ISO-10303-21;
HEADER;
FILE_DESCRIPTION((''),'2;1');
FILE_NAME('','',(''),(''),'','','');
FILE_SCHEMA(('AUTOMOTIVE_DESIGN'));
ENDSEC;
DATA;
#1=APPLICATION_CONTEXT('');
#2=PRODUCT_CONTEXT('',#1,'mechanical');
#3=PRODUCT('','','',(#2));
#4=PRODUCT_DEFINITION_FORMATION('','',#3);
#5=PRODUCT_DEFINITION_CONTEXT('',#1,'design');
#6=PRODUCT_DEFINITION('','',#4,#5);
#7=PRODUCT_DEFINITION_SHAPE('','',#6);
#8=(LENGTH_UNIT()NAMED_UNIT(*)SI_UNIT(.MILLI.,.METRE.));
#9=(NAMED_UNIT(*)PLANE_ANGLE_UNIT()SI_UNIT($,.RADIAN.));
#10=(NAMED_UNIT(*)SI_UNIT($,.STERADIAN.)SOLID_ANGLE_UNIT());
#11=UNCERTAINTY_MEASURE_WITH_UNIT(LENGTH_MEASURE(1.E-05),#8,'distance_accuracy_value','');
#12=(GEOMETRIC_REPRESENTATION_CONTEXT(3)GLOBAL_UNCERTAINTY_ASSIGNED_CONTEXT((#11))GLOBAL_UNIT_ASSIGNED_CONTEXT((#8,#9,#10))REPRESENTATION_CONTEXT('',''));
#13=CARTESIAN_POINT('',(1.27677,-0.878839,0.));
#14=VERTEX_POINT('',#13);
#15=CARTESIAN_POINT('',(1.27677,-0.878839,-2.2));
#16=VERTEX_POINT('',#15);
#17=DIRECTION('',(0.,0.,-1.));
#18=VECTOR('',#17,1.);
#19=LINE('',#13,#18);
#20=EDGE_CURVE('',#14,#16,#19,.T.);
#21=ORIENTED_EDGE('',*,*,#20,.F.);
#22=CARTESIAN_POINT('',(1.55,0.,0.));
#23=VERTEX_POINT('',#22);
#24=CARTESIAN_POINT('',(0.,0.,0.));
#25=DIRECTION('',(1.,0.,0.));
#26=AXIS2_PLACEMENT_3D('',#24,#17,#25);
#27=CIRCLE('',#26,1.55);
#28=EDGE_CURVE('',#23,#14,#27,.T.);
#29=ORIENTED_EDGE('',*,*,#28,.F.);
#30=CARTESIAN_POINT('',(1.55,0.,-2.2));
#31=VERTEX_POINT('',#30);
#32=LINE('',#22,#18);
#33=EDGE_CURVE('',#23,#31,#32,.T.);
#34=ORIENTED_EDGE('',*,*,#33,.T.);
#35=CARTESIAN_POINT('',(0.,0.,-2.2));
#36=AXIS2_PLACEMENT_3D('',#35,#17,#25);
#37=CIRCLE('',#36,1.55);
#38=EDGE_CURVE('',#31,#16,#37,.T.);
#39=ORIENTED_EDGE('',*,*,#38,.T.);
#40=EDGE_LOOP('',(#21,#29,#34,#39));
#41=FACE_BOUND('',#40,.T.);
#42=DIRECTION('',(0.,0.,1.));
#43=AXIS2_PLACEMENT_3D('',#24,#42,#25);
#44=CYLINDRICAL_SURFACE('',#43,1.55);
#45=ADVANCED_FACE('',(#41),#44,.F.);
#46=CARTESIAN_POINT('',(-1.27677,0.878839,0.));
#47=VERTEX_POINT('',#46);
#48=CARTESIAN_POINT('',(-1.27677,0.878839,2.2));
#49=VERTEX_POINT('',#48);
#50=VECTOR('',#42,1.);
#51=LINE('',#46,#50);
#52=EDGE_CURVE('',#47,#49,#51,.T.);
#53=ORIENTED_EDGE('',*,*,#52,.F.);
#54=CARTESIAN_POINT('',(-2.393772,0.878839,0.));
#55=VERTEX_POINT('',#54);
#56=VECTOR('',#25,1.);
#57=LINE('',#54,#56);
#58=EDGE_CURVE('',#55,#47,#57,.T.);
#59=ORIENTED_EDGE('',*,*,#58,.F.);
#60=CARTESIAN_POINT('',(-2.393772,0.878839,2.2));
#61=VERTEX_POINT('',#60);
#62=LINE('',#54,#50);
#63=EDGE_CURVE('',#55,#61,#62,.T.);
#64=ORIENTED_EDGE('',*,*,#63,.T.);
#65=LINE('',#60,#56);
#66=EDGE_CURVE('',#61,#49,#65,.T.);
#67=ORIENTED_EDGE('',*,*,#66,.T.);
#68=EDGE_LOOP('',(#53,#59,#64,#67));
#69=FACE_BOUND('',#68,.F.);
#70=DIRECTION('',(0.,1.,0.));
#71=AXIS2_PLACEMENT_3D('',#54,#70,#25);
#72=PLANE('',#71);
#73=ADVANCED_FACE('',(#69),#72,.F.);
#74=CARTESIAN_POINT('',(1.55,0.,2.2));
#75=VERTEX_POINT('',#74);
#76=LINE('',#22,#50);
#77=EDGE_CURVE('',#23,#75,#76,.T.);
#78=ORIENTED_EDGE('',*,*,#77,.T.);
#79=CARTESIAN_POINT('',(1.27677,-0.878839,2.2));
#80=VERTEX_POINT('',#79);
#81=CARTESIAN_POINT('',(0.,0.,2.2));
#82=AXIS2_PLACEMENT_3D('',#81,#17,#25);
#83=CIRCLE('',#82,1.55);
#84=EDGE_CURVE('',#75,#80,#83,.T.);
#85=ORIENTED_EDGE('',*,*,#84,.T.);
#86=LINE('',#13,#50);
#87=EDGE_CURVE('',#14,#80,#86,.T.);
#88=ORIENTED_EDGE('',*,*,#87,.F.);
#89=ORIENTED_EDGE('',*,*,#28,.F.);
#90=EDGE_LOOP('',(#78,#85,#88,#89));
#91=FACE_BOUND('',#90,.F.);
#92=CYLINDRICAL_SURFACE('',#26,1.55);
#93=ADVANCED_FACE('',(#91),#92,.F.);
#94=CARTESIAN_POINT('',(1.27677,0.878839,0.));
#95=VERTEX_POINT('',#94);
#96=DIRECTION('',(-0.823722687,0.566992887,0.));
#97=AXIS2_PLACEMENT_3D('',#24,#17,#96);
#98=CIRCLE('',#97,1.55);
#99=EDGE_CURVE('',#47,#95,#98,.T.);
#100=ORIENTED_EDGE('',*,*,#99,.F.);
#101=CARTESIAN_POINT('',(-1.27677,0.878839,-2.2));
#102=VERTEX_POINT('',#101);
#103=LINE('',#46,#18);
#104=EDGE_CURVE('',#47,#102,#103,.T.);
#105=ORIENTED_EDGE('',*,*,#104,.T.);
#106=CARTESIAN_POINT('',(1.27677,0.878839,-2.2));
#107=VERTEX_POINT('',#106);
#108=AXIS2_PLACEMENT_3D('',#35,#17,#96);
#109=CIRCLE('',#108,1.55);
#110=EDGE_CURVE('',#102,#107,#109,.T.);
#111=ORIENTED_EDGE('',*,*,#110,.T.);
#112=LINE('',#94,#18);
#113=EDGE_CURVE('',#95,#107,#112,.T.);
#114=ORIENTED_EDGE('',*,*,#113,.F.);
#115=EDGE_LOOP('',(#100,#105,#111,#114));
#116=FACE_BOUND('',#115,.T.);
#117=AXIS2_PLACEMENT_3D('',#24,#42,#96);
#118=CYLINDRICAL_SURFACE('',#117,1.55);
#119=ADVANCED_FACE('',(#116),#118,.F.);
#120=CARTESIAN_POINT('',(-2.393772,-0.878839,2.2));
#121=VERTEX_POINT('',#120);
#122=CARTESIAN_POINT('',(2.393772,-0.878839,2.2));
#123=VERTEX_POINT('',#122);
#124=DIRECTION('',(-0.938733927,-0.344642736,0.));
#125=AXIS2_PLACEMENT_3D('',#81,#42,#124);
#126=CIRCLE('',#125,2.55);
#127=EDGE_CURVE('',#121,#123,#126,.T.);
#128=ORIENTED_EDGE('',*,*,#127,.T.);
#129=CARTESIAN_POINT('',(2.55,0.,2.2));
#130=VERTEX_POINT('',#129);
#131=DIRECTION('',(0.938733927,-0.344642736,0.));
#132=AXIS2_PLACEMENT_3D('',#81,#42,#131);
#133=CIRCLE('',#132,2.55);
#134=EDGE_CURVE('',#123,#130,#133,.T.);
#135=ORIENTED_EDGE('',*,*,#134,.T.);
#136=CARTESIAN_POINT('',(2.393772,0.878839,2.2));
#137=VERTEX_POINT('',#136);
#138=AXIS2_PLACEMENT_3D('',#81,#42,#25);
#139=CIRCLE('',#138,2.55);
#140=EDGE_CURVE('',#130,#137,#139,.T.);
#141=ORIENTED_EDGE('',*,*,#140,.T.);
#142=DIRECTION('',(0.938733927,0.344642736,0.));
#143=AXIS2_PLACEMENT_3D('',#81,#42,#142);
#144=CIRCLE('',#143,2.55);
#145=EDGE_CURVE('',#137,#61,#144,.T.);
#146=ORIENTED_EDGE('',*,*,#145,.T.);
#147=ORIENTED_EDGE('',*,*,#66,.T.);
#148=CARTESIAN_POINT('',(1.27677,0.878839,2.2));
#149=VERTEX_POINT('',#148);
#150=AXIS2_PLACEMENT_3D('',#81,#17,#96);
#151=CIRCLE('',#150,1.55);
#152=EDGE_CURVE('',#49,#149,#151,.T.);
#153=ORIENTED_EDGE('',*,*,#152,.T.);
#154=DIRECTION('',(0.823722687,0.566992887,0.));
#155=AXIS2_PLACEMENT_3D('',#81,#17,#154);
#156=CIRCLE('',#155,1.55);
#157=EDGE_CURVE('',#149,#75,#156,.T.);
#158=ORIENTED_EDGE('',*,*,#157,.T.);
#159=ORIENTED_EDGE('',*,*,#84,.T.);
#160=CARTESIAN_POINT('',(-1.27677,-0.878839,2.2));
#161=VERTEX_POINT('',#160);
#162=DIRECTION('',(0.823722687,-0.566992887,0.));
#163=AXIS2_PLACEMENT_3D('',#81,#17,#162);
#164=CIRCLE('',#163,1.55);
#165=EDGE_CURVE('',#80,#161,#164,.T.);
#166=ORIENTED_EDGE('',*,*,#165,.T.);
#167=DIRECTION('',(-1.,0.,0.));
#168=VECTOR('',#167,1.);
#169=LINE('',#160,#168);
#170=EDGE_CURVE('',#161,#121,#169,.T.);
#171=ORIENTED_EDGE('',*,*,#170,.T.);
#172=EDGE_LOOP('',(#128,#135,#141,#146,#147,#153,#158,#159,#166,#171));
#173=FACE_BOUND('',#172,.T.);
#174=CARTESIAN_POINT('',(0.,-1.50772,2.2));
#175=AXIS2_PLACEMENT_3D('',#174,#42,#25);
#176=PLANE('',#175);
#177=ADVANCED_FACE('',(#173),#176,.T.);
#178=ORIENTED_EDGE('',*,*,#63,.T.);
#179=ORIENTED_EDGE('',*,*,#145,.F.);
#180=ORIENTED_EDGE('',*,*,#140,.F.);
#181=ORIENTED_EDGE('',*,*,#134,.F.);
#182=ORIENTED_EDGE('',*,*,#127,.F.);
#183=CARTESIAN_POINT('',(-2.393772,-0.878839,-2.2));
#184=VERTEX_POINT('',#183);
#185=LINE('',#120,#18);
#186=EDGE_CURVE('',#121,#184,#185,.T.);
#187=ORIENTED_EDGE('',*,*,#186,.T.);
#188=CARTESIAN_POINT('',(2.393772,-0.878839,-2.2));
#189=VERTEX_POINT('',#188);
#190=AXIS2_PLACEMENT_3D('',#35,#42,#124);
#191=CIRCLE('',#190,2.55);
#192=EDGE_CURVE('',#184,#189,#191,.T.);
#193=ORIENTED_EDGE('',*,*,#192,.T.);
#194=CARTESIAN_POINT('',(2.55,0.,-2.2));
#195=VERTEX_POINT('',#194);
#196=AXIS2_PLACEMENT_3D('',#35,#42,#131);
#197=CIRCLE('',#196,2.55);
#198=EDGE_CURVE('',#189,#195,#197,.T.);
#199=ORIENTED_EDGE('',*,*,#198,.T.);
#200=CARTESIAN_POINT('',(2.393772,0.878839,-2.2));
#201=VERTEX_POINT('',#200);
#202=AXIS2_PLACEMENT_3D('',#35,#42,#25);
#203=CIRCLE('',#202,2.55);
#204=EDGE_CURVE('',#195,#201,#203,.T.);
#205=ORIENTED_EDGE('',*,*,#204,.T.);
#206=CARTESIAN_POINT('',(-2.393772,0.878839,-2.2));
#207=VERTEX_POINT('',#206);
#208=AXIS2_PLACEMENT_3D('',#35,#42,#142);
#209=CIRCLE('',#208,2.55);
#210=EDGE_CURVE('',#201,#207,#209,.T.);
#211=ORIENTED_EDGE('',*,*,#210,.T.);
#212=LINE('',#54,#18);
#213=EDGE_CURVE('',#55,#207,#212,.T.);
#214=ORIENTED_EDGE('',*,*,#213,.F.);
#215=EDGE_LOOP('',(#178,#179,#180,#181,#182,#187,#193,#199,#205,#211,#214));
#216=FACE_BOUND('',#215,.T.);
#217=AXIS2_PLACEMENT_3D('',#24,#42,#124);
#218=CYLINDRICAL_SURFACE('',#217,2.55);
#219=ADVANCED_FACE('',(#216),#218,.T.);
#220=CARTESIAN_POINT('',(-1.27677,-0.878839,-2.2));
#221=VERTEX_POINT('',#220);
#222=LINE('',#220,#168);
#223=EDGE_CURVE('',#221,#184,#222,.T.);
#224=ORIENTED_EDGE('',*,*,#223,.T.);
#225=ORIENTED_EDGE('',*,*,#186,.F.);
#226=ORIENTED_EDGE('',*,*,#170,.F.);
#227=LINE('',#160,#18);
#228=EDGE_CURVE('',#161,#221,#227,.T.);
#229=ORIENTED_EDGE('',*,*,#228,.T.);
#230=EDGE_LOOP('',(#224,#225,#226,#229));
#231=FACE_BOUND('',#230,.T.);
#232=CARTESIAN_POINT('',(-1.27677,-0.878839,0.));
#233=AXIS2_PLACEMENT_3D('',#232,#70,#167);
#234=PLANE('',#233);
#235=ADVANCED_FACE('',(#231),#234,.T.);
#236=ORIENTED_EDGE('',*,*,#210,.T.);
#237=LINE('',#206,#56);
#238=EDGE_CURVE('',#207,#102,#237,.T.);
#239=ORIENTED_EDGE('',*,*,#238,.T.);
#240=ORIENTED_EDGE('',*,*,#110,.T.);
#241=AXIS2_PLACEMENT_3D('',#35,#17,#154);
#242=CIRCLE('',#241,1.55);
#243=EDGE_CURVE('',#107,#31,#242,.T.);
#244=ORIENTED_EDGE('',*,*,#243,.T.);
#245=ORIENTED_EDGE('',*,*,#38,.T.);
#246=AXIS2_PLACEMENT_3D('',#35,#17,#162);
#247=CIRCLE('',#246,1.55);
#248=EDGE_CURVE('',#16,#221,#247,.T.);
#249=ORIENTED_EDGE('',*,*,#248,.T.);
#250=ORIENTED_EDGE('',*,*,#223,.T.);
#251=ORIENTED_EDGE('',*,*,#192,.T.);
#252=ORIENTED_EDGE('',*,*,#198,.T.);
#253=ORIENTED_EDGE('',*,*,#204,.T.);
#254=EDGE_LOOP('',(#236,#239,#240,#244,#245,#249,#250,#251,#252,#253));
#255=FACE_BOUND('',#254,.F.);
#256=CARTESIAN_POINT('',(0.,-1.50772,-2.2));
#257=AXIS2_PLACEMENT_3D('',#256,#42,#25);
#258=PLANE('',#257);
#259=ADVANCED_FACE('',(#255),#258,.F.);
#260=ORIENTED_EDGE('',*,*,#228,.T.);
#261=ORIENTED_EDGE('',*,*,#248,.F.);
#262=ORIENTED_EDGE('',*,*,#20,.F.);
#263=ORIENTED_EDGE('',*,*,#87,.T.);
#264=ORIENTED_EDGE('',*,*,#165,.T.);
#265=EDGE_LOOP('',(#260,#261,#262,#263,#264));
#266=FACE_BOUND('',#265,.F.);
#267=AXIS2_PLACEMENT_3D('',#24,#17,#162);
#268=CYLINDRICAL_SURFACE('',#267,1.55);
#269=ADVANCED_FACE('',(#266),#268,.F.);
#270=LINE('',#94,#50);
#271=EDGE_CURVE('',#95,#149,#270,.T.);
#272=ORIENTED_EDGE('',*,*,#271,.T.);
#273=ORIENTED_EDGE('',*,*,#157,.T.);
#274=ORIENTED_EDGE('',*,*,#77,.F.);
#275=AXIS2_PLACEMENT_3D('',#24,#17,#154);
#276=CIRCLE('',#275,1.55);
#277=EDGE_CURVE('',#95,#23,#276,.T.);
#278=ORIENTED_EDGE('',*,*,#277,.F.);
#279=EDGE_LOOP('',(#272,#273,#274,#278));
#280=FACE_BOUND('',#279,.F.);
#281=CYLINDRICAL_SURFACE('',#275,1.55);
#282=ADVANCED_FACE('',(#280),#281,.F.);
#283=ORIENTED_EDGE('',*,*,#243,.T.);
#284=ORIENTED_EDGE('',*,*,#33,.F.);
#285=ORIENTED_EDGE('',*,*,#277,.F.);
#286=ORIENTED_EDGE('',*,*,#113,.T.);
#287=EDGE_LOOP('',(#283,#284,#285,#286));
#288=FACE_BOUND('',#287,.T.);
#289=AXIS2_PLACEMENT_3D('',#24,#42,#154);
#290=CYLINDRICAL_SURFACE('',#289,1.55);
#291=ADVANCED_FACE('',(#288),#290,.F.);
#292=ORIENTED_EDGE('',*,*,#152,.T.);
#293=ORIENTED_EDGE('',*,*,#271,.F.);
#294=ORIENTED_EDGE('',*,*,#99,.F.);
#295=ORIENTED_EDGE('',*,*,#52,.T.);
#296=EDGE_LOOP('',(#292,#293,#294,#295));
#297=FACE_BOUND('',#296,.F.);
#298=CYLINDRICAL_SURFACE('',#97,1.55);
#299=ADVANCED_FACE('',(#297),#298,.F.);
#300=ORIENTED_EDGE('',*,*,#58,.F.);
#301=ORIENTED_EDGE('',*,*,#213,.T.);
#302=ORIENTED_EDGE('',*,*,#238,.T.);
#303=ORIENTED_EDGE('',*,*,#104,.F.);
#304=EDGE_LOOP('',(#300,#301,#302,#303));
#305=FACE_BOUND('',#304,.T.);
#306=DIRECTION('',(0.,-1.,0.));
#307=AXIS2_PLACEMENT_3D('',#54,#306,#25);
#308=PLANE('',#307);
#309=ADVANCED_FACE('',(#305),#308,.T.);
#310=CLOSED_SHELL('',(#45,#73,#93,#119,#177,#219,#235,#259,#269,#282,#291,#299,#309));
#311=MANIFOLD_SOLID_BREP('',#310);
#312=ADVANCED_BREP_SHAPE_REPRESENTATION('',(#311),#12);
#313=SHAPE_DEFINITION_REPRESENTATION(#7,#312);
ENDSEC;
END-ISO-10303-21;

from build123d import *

# Parameters (mm, degrees)
F1_DEPTH = 2.2


with BuildPart() as f1:
    # F0 (on Top) → F1 (new body, symmetric)
    with BuildSketch(Plane.XY):
        with BuildLine():
            ThreePointArc((-2.3937715127, -0.8788389756), (0, -2.55), (2.3937715127, -0.8788389756))
            Line((2.3937715127, -0.8788389756), (1.2767701653, -0.8788389756))
            ThreePointArc((1.2767701653, -0.8788389756), (0, -1.55), (-1.2767701653, -0.8788389756))
            Line((-1.2767701653, -0.8788389756), (-2.3937715127, -0.8788389756))
        make_face()
        with BuildLine():
            Line((1.2767701653, 0.8788389756), (2.3937715127, 0.8788389756))
            ThreePointArc((2.3937715127, 0.8788389756), (0, 2.55), (-2.3937715127, 0.8788389756))
            Line((-2.3937715127, 0.8788389756), (-1.2767701653, 0.8788389756))
            ThreePointArc((-1.2767701653, 0.8788389756), (0, 1.55), (1.2767701653, 0.8788389756))
        make_face()
        with BuildLine():
            ThreePointArc((2.3937715127, -0.8788389756), (2.5106390977, -0.4463085494), (2.55, 0))
            ThreePointArc((2.55, 0), (2.5106390977, 0.4463085494), (2.3937715127, 0.8788389756))
            Line((2.3937715127, 0.8788389756), (1.2767701653, 0.8788389756))
            ThreePointArc((1.2767701653, 0.8788389756), (1.4801171839, 0.4601664067), (1.55, 0))
            ThreePointArc((1.55, 0), (1.4801171839, -0.4601664067), (1.2767701653, -0.8788389756))
            Line((1.2767701653, -0.8788389756), (2.3937715127, -0.8788389756))
        make_face()
    extrude(amount=F1_DEPTH, both=True)


solid = f1.part
